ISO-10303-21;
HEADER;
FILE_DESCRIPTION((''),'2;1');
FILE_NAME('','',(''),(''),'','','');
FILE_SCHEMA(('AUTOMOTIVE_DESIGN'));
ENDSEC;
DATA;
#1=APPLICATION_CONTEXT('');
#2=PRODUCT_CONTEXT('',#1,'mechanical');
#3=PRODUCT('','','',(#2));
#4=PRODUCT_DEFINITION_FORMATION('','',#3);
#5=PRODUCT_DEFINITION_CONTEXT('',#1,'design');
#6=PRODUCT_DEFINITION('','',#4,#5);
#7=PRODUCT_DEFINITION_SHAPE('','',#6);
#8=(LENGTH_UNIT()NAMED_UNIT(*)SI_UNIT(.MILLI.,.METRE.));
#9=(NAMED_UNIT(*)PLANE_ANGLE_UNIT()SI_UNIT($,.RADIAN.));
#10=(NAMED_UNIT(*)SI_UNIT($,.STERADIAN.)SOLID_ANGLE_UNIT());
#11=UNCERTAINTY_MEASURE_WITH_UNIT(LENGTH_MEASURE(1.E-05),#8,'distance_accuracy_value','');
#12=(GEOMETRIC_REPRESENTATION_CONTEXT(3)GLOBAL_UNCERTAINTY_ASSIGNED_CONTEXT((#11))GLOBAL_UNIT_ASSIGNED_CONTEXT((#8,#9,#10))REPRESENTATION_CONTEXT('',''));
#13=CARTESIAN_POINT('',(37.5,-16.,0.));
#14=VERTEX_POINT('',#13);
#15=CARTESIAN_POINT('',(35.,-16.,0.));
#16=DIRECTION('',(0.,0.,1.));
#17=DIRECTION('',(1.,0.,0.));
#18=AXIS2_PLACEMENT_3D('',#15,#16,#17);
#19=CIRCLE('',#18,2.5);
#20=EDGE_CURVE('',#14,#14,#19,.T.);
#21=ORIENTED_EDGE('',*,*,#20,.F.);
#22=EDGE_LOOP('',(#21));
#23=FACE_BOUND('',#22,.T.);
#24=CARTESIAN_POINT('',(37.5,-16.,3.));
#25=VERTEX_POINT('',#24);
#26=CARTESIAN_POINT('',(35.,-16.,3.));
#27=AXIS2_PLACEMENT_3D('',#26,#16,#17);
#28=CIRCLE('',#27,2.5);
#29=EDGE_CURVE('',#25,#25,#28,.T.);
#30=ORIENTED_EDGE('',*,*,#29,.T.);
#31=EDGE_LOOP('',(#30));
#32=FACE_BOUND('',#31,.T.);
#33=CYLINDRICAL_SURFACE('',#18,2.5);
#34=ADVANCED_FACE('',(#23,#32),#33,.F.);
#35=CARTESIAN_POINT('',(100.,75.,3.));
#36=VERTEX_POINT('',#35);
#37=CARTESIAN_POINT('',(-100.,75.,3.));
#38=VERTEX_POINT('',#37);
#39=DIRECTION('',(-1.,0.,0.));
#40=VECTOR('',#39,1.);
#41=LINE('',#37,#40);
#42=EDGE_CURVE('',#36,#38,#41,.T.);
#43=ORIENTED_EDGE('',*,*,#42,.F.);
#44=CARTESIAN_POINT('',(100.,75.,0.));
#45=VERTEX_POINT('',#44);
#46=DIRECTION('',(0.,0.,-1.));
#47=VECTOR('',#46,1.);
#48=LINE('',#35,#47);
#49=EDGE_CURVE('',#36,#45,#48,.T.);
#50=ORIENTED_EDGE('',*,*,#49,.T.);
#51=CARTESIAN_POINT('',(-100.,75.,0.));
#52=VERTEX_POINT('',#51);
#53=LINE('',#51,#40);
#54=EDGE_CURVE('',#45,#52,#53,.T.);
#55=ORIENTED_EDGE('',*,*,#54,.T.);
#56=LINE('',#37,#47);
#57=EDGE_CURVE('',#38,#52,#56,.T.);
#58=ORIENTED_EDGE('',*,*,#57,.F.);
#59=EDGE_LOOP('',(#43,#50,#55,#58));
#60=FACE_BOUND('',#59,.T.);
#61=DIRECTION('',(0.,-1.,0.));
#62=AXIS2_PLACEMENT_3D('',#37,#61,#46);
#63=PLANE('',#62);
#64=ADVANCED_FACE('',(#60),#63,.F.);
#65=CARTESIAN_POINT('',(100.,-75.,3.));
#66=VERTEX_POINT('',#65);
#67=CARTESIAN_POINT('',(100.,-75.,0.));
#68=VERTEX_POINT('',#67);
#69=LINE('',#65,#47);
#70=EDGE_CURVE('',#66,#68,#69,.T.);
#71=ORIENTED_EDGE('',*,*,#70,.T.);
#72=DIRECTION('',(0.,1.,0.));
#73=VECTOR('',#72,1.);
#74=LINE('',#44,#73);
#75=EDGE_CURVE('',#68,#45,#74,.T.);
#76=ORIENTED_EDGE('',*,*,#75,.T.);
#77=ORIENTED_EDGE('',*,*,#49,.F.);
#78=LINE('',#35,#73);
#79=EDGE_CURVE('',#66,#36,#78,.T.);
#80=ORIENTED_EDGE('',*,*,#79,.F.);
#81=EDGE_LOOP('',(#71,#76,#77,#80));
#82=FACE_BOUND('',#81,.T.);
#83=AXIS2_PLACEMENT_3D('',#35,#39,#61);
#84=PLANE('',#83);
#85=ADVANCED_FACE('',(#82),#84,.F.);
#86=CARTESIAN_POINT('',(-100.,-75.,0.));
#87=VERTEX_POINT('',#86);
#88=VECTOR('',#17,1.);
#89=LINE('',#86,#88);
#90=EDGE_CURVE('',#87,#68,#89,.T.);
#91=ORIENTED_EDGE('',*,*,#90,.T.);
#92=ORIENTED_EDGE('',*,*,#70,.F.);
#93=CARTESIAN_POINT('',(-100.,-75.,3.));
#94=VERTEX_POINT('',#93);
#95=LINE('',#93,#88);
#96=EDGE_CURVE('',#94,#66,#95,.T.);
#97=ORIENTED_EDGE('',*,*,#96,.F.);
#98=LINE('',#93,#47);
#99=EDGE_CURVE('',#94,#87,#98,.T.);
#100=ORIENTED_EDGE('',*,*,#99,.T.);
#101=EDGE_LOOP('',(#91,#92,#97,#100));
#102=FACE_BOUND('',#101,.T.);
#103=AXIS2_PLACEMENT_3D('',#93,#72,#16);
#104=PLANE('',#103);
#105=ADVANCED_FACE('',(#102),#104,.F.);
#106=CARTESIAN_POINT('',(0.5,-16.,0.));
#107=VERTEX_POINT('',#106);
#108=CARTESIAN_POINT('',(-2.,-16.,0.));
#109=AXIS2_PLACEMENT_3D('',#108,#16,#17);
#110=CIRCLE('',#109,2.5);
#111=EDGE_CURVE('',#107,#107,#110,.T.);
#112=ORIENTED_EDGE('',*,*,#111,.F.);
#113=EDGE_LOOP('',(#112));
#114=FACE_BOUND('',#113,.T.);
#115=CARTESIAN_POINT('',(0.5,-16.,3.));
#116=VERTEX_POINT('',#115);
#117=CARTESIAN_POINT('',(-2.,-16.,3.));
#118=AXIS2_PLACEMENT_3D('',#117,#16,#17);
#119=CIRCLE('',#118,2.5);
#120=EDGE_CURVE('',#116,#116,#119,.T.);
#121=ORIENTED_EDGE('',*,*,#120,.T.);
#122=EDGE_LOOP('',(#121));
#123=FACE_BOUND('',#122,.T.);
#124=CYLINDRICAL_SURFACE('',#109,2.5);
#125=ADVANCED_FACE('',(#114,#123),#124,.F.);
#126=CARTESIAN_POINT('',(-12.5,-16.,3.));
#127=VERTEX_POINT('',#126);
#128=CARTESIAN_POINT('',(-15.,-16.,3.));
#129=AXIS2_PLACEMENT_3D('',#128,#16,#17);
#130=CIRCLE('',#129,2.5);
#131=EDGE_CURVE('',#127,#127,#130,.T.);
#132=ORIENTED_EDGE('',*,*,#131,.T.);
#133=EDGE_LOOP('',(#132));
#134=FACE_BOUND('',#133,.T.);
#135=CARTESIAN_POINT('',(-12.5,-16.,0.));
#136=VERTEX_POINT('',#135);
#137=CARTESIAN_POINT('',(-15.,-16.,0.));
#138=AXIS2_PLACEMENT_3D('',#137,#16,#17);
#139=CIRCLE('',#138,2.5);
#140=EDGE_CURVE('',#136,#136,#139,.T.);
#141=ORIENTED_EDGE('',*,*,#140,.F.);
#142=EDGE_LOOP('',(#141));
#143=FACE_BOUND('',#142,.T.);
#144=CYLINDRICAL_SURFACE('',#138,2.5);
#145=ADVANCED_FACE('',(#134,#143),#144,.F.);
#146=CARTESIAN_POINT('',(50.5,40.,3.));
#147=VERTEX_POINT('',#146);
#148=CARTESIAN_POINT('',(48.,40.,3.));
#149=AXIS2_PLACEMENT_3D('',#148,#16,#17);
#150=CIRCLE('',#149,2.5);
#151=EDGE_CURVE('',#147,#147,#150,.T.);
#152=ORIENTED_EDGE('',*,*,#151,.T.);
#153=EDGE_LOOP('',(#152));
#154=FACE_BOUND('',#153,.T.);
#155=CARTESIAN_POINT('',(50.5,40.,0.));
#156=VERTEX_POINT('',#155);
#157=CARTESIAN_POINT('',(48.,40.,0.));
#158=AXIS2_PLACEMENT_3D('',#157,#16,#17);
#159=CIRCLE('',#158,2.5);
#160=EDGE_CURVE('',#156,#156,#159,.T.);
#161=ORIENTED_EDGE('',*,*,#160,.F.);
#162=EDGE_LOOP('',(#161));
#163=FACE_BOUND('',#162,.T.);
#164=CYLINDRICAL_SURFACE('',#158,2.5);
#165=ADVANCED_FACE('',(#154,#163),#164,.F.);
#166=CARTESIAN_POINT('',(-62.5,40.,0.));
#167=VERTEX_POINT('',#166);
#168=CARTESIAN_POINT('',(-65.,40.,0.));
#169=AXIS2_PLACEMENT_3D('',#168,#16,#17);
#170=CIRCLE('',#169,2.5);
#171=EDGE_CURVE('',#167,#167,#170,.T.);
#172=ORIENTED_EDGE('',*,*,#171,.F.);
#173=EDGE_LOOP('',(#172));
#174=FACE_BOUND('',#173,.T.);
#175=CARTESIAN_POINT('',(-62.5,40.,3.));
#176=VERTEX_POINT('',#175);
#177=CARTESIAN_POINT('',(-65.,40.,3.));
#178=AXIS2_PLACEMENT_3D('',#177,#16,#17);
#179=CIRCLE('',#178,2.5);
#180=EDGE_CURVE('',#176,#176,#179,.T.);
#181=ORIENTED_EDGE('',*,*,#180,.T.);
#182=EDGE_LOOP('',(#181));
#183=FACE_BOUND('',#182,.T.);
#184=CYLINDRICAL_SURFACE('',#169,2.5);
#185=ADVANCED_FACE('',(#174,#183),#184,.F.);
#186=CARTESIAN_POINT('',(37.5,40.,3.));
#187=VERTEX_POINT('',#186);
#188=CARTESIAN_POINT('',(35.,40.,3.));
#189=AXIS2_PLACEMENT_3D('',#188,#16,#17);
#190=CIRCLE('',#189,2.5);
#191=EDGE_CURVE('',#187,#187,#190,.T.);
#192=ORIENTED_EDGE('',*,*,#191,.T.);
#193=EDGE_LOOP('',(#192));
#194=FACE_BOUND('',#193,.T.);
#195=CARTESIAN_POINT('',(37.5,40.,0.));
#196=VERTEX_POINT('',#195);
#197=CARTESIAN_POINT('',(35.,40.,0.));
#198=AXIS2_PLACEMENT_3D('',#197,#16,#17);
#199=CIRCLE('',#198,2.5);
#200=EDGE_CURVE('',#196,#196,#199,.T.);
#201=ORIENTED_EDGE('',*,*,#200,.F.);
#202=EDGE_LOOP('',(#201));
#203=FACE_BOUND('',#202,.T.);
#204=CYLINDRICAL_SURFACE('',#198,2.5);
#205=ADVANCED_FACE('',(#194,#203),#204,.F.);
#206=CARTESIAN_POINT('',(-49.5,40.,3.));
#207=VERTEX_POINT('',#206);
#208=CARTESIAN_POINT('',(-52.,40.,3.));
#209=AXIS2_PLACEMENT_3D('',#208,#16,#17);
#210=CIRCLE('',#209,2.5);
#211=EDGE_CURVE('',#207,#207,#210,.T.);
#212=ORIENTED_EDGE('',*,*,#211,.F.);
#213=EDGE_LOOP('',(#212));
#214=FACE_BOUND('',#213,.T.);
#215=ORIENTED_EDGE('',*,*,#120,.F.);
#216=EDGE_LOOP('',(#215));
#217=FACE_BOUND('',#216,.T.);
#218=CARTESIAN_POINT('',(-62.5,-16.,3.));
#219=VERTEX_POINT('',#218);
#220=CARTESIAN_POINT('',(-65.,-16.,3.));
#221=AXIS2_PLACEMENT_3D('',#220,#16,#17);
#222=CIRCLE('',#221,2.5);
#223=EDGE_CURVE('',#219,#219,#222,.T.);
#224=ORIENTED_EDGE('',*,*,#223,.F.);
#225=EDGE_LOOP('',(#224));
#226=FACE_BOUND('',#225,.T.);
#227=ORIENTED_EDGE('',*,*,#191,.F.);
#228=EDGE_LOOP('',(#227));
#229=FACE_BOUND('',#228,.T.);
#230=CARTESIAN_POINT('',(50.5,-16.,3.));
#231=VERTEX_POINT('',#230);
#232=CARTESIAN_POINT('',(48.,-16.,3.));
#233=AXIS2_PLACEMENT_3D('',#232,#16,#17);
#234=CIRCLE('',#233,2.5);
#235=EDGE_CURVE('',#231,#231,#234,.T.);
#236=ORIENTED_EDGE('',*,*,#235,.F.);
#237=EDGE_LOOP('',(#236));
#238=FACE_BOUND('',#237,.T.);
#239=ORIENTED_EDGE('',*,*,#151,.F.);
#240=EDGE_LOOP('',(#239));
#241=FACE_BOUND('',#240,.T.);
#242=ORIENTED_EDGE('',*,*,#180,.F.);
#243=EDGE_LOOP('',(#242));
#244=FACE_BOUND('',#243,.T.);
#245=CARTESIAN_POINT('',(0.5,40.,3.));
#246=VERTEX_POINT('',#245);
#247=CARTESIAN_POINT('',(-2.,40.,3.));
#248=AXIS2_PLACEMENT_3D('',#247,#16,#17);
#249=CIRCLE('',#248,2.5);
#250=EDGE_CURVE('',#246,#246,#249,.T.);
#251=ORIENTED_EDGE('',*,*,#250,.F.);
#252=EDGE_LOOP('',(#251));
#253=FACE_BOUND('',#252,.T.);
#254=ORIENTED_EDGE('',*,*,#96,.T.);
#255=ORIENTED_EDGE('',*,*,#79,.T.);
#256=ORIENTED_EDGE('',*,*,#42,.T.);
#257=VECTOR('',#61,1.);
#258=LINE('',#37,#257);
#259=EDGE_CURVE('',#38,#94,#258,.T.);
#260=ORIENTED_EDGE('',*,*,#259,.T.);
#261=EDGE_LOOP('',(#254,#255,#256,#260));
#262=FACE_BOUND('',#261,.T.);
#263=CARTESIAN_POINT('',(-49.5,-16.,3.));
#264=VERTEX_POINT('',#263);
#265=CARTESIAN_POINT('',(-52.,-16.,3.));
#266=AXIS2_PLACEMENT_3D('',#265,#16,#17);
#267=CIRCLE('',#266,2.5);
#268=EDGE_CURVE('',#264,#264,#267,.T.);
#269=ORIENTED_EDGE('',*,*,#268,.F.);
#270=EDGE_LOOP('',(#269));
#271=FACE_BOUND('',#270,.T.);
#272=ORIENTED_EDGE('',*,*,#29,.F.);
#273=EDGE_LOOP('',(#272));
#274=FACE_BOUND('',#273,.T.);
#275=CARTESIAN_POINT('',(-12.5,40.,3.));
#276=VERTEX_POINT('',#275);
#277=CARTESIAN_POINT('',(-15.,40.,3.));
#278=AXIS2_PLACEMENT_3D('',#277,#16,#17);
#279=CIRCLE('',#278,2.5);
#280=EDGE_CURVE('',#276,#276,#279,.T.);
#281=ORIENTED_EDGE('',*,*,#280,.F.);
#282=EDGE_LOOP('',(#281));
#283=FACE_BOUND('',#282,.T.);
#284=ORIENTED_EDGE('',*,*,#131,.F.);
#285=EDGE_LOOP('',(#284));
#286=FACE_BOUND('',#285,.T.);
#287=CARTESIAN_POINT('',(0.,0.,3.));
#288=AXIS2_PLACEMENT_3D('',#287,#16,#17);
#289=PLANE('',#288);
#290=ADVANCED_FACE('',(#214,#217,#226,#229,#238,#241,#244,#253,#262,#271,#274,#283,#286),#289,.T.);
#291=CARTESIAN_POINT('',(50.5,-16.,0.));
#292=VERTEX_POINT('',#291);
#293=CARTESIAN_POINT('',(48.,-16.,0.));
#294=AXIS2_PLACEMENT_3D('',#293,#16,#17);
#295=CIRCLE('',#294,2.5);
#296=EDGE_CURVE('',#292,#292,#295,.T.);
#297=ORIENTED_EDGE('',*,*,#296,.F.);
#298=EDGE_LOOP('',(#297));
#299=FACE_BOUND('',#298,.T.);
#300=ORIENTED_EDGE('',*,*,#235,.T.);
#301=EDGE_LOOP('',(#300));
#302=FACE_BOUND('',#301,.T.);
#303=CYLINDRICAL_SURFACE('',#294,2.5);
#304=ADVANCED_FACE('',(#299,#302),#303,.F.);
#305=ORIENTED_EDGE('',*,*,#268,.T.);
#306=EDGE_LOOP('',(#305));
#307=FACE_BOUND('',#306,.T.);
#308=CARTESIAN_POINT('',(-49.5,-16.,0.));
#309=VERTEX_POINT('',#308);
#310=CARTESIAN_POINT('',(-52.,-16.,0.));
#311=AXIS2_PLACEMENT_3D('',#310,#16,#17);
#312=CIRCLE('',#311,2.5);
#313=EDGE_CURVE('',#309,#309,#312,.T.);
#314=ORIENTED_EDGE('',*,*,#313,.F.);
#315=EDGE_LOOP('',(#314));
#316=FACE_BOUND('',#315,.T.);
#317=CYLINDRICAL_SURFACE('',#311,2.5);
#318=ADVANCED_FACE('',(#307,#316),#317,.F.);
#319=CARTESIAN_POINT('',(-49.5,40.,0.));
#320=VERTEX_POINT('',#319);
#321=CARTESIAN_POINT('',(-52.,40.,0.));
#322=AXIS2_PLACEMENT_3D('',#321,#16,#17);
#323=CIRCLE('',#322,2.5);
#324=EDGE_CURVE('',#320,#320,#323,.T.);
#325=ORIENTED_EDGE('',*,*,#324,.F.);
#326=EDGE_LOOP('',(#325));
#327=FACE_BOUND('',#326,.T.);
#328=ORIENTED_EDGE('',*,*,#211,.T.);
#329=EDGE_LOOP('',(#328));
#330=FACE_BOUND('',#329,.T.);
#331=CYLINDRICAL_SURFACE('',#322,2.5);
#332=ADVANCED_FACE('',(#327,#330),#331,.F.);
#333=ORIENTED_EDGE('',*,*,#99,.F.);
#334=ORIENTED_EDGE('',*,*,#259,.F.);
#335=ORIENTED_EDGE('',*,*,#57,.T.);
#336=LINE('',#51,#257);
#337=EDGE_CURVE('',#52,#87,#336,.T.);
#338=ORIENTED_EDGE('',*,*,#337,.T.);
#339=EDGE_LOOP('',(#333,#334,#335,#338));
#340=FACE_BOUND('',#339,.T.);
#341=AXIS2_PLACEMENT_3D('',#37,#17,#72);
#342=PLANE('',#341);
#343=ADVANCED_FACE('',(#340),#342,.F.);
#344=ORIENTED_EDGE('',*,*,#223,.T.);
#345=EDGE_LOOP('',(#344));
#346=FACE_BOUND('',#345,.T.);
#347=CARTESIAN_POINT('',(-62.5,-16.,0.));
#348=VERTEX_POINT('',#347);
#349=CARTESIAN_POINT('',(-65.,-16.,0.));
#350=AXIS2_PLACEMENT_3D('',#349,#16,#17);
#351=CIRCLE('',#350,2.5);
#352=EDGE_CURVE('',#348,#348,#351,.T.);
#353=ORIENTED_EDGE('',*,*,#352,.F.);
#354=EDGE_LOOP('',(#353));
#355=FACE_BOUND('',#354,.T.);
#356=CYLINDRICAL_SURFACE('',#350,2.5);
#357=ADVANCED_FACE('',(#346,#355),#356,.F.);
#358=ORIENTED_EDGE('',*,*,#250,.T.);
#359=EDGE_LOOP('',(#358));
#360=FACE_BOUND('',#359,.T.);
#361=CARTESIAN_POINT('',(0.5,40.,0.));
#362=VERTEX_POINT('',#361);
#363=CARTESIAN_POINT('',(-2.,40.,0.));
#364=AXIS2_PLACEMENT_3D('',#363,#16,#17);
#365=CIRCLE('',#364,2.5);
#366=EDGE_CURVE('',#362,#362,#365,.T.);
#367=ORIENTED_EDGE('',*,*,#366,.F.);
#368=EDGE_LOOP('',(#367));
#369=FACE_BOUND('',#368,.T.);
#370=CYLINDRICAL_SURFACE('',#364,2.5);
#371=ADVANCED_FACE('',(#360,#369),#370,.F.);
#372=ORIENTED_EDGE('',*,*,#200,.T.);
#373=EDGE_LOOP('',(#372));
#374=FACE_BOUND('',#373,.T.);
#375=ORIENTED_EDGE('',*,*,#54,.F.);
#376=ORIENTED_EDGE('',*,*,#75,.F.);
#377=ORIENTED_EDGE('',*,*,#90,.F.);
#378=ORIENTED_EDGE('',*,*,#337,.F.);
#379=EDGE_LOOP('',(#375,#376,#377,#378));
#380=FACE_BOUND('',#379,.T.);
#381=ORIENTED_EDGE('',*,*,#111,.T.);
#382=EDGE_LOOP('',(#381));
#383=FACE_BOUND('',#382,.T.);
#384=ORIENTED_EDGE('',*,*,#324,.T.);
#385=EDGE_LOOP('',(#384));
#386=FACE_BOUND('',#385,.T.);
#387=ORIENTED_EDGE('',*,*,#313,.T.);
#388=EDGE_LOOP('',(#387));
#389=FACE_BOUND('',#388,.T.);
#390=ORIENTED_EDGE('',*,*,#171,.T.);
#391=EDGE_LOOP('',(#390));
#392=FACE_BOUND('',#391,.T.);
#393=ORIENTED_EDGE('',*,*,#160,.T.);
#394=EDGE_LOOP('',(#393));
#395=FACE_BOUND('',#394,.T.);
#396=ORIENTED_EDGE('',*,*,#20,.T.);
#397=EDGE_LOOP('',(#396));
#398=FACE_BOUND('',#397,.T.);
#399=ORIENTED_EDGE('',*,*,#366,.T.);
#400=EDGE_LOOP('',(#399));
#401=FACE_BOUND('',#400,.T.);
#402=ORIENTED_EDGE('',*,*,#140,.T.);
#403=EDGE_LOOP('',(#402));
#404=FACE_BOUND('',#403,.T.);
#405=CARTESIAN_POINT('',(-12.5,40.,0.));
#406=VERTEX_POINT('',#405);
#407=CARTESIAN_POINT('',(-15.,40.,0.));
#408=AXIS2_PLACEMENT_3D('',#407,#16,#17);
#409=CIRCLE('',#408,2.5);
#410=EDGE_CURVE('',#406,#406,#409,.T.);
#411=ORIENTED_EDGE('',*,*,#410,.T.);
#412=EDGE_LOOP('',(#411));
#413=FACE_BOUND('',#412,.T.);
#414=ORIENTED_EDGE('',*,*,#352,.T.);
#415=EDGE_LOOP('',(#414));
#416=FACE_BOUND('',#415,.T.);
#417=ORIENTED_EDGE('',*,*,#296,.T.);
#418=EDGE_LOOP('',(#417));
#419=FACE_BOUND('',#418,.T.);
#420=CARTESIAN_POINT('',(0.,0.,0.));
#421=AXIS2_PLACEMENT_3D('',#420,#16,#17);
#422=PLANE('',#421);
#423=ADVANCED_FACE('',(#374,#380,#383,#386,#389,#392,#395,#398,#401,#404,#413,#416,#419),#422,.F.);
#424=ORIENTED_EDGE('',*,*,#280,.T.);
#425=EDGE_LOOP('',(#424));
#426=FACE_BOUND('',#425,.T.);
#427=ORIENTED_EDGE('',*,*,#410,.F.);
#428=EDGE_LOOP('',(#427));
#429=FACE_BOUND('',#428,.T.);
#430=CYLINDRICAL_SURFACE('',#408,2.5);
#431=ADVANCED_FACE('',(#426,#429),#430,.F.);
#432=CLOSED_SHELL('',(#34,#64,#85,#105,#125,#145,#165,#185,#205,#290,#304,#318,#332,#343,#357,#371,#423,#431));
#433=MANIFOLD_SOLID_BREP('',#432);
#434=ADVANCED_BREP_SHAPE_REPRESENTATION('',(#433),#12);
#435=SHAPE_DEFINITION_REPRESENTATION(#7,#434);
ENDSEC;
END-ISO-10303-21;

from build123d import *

# Parameters (mm, degrees)
SKICA1_W                 = 200
SKICA1_H                 = 150
P_IDAT_VYSUNUT_M1_DEPTH  = 3
SKICA2_R                 = 2.5
ODEBRAT_VYSUNUT_M1_DEPTH = 126.035994817


with BuildPart() as part:
    # Skica1 → Přidat vysunutím1 (new body)
    with BuildSketch(Plane.XY):
        Rectangle(SKICA1_W, SKICA1_H)
    extrude(amount=P_IDAT_VYSUNUT_M1_DEPTH)

    # Skica2 → Odebrat vysunutím1 (cut, through all)
    with BuildSketch(Plane.XY.offset(3)):
        with Locations((-65, 40)):
            Circle(SKICA2_R)
        with Locations((-52, 40)):
            Circle(SKICA2_R)
        with Locations((-52, -16)):
            Circle(SKICA2_R)
        with Locations((-65, -16)):
            Circle(SKICA2_R)
        with Locations((-15, -16)):
            Circle(SKICA2_R)
        with Locations((-2, -16)):
            Circle(SKICA2_R)
        with Locations((-2, 40)):
            Circle(SKICA2_R)
        with Locations((-15, 40)):
            Circle(SKICA2_R)
        with Locations((35, 40)):
            Circle(SKICA2_R)
        with Locations((48, 40)):
            Circle(SKICA2_R)
        with Locations((48, -16)):
            Circle(SKICA2_R)
        with Locations((35, -16)):
            Circle(SKICA2_R)
    extrude(amount=-ODEBRAT_VYSUNUT_M1_DEPTH, mode=Mode.SUBTRACT)


solid = part.part
